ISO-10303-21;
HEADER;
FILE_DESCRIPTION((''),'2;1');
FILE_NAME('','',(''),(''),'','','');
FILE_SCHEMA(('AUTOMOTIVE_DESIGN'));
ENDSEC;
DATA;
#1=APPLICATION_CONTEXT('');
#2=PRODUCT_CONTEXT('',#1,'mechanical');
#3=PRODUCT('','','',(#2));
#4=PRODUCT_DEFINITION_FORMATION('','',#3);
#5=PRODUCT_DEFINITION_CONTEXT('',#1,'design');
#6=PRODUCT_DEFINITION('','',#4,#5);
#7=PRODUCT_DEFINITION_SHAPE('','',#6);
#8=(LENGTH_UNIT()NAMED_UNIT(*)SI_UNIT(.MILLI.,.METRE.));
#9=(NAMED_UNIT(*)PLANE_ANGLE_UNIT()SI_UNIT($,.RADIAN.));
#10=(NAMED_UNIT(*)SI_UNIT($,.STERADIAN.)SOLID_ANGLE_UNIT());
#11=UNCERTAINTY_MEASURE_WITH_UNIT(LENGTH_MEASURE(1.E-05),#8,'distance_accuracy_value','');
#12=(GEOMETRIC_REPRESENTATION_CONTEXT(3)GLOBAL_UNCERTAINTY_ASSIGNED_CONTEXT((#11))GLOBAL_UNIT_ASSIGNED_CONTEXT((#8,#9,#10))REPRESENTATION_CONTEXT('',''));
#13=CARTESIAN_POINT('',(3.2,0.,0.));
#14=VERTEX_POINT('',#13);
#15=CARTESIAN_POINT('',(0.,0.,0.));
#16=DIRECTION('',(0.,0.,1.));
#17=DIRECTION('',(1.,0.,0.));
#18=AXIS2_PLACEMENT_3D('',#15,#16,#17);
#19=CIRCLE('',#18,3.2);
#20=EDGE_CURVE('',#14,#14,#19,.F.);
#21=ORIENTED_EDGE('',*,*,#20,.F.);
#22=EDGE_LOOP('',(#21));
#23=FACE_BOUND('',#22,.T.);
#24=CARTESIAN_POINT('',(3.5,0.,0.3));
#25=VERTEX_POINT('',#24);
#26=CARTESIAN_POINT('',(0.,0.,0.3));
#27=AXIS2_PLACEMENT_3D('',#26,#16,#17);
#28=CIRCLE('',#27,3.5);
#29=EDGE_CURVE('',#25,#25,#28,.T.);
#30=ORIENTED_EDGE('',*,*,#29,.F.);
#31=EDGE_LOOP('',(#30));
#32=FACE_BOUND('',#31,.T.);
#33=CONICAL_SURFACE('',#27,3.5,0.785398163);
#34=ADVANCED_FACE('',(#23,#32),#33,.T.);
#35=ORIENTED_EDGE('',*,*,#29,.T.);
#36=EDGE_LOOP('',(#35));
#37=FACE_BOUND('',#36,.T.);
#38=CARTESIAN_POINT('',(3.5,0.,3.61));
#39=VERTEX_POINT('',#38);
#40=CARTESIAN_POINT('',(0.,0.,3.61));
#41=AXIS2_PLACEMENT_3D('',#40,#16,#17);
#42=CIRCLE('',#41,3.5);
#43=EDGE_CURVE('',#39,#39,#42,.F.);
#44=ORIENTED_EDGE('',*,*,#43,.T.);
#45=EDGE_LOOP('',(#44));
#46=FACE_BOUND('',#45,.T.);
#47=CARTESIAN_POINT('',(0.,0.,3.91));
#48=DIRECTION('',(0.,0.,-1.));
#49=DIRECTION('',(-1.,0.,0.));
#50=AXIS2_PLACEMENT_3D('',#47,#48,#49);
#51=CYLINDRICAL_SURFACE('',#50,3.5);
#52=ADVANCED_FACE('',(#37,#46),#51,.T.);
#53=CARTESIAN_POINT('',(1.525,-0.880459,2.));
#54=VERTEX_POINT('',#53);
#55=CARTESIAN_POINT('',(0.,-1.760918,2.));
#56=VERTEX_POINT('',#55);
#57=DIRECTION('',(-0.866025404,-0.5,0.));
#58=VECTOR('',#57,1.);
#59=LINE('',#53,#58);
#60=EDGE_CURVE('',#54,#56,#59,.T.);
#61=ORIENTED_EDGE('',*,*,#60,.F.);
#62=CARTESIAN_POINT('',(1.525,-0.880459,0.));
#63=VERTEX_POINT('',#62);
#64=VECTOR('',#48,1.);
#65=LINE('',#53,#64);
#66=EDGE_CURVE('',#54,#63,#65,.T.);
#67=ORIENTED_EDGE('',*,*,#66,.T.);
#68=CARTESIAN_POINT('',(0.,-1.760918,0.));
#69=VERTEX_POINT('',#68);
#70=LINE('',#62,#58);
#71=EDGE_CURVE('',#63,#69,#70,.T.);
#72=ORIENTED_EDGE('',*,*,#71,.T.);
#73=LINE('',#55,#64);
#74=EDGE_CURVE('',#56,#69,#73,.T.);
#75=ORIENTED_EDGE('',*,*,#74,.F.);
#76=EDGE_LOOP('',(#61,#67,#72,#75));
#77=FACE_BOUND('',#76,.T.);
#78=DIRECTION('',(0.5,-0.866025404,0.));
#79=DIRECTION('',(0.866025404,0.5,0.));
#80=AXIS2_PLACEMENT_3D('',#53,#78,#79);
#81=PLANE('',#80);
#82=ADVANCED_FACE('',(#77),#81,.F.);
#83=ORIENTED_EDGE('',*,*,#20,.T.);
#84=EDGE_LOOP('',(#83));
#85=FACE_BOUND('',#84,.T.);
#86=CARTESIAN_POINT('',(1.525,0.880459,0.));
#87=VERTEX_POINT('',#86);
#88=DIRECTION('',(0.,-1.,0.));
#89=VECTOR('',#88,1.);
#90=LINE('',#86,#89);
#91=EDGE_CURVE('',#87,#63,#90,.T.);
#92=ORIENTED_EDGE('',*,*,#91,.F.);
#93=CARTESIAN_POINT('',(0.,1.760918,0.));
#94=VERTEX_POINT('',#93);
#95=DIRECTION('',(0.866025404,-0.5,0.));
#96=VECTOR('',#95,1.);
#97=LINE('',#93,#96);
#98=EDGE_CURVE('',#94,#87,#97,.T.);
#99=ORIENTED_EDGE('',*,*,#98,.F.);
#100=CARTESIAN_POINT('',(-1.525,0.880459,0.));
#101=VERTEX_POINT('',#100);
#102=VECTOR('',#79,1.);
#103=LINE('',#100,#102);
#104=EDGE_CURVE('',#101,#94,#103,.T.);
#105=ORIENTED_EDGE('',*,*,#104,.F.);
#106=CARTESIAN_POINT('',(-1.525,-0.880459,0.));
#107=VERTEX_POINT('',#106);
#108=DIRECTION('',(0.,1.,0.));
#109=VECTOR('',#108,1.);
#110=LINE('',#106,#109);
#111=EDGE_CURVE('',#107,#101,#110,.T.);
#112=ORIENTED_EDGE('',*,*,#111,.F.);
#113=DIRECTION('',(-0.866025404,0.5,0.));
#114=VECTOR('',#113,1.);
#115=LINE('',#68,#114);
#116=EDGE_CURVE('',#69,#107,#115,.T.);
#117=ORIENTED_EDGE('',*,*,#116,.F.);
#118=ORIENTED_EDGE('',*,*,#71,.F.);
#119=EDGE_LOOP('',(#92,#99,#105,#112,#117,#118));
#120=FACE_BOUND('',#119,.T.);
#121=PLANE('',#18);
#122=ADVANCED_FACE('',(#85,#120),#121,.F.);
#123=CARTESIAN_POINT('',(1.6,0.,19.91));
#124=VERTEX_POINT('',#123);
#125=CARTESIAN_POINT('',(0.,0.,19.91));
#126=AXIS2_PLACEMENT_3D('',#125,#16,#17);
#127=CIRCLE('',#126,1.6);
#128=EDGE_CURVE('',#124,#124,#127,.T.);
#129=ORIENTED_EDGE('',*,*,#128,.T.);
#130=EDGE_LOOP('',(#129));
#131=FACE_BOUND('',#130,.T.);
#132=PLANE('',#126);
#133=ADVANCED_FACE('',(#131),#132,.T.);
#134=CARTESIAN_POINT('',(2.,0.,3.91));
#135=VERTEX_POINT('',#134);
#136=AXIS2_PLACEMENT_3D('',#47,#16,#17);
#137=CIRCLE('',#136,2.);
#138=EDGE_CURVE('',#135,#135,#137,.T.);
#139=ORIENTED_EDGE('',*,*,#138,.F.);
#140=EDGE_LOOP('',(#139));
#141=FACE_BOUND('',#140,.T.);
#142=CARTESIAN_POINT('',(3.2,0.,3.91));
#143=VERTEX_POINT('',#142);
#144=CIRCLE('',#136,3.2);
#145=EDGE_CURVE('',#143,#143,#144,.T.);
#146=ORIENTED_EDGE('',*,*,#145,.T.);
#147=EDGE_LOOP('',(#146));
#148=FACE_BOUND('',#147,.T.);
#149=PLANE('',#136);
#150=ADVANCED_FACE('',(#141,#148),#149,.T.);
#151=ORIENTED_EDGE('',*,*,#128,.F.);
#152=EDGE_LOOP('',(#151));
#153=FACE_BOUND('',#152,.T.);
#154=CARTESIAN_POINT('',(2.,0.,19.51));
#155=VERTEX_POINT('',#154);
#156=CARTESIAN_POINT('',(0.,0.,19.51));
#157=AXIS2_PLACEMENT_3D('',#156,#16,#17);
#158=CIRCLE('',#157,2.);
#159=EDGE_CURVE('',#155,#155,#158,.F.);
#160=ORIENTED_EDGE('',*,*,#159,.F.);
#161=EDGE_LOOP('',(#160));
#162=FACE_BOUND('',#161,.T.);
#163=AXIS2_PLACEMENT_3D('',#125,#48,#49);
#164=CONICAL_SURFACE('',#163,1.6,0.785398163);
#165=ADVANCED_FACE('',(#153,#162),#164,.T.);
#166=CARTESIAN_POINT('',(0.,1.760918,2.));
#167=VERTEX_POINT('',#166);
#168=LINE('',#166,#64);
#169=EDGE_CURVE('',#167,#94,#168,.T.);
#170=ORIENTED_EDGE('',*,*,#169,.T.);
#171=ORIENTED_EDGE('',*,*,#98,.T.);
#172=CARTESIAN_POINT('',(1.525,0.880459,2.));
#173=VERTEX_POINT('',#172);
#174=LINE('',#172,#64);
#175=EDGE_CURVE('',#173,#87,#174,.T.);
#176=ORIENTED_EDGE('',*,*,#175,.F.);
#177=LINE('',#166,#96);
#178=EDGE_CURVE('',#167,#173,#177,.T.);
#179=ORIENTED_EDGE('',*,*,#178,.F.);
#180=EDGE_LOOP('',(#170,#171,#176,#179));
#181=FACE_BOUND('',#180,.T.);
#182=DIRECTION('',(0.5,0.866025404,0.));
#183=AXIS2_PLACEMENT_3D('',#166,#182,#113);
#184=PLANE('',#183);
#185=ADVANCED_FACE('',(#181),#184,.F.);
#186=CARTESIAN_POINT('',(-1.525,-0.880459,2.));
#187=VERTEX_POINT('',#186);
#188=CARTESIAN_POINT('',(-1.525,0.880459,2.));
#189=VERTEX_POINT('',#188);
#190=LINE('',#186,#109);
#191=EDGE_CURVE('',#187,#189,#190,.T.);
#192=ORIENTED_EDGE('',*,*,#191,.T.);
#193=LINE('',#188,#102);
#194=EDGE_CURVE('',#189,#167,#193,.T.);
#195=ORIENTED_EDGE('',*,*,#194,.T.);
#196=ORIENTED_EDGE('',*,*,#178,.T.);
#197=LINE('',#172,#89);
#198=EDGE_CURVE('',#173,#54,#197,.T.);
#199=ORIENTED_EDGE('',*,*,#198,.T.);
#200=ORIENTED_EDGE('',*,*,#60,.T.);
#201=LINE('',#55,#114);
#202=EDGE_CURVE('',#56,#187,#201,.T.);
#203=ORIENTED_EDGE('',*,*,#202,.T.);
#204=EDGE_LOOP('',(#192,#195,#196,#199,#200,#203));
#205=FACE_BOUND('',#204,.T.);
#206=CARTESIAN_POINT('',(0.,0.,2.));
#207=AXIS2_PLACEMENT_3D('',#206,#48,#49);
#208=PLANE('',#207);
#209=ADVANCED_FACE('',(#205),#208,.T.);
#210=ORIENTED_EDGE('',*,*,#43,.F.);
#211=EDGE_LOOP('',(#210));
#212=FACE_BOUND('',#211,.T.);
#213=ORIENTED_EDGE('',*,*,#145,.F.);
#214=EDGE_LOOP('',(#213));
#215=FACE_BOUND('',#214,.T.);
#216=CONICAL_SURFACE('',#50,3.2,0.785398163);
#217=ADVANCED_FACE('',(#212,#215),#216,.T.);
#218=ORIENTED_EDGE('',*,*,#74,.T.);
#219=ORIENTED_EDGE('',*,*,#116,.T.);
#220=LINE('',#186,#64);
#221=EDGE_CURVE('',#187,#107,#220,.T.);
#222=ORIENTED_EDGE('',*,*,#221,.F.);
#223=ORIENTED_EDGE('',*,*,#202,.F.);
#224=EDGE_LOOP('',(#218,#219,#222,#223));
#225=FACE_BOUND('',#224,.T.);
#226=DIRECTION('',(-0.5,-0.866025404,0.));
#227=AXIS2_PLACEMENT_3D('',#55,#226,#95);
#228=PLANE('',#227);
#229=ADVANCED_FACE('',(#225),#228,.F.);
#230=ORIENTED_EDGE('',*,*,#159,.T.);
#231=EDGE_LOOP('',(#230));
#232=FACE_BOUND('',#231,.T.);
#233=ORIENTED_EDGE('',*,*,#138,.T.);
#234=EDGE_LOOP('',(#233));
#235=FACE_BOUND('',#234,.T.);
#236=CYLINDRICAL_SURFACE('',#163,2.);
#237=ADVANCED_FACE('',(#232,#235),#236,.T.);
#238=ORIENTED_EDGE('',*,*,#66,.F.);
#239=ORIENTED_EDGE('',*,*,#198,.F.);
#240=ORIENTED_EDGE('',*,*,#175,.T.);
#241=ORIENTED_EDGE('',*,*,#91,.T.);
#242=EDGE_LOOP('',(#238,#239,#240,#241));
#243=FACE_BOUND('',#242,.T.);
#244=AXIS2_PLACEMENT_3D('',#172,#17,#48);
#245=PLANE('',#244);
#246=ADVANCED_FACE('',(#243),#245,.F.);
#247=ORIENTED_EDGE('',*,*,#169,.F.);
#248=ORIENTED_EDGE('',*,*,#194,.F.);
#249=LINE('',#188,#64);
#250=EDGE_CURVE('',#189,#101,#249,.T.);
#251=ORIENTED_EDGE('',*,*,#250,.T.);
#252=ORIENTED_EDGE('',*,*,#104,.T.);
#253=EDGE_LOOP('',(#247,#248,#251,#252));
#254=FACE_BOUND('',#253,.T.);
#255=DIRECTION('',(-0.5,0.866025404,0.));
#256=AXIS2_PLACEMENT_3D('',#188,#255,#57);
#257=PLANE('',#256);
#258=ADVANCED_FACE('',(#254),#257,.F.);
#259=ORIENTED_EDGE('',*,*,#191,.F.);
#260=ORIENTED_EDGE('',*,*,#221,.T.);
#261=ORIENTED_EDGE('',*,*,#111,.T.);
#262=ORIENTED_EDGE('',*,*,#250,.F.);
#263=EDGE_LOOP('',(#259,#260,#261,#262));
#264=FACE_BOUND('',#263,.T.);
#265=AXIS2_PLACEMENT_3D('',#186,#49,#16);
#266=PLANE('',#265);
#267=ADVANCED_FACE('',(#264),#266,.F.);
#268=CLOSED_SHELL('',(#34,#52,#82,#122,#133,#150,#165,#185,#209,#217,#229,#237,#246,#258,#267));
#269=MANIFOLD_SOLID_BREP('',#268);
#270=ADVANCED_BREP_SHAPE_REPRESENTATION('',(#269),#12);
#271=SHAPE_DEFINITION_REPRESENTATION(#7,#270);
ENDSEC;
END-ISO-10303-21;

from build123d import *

# Parameters (mm, degrees)
SKETCH_1_R          = 3.5
EXTRUDE_1_DEPTH     = 3.91
SKETCH_2_R          = 2
EXTRUDE_2_DEPTH     = 16
CUT_EXTRUDE_1_DEPTH = 2
CHAMFER_1_SIZE      = 0.4
CHAMFER_2_SIZE      = 0.3


with BuildPart() as part:
    # 草图1 → 凸台-拉伸1 (new body)
    with BuildSketch(Plane.XY):
        Circle(SKETCH_1_R)
    extrude(amount=EXTRUDE_1_DEPTH)

    # 草图2 → 凸台-拉伸2 (add)
    with BuildSketch(Plane.XY.offset(3.91)):
        Circle(SKETCH_2_R)
    extrude(amount=EXTRUDE_2_DEPTH)

    # 草图3 → 切除-拉伸1 (cut)
    with BuildSketch(Plane(origin=(0, 0, 0), x_dir=(-1, 0, 0), z_dir=(0, 0, -1))):
        Polygon((0, 1.760918321), (-1.525, 0.880459161), (-1.525, -0.880459161), (0, -1.760918321), (1.525, -0.880459161), (1.525, 0.880459161), align=None)
    extrude(amount=-CUT_EXTRUDE_1_DEPTH, mode=Mode.SUBTRACT)

    # 倒角1
    chamfer_1_edges = [part.edges().sort_by_distance(p)[0] for p in [
        (-2, 0, 19.91),
    ]]
    chamfer(chamfer_1_edges, length=CHAMFER_1_SIZE)

    # 倒角2
    chamfer_2_edges = [part.edges().sort_by_distance(p)[0] for p in [
        (-3.5, 0, 0),
        (-3.5, 0, 3.91),
    ]]
    chamfer(chamfer_2_edges, length=CHAMFER_2_SIZE)


solid = part.part
